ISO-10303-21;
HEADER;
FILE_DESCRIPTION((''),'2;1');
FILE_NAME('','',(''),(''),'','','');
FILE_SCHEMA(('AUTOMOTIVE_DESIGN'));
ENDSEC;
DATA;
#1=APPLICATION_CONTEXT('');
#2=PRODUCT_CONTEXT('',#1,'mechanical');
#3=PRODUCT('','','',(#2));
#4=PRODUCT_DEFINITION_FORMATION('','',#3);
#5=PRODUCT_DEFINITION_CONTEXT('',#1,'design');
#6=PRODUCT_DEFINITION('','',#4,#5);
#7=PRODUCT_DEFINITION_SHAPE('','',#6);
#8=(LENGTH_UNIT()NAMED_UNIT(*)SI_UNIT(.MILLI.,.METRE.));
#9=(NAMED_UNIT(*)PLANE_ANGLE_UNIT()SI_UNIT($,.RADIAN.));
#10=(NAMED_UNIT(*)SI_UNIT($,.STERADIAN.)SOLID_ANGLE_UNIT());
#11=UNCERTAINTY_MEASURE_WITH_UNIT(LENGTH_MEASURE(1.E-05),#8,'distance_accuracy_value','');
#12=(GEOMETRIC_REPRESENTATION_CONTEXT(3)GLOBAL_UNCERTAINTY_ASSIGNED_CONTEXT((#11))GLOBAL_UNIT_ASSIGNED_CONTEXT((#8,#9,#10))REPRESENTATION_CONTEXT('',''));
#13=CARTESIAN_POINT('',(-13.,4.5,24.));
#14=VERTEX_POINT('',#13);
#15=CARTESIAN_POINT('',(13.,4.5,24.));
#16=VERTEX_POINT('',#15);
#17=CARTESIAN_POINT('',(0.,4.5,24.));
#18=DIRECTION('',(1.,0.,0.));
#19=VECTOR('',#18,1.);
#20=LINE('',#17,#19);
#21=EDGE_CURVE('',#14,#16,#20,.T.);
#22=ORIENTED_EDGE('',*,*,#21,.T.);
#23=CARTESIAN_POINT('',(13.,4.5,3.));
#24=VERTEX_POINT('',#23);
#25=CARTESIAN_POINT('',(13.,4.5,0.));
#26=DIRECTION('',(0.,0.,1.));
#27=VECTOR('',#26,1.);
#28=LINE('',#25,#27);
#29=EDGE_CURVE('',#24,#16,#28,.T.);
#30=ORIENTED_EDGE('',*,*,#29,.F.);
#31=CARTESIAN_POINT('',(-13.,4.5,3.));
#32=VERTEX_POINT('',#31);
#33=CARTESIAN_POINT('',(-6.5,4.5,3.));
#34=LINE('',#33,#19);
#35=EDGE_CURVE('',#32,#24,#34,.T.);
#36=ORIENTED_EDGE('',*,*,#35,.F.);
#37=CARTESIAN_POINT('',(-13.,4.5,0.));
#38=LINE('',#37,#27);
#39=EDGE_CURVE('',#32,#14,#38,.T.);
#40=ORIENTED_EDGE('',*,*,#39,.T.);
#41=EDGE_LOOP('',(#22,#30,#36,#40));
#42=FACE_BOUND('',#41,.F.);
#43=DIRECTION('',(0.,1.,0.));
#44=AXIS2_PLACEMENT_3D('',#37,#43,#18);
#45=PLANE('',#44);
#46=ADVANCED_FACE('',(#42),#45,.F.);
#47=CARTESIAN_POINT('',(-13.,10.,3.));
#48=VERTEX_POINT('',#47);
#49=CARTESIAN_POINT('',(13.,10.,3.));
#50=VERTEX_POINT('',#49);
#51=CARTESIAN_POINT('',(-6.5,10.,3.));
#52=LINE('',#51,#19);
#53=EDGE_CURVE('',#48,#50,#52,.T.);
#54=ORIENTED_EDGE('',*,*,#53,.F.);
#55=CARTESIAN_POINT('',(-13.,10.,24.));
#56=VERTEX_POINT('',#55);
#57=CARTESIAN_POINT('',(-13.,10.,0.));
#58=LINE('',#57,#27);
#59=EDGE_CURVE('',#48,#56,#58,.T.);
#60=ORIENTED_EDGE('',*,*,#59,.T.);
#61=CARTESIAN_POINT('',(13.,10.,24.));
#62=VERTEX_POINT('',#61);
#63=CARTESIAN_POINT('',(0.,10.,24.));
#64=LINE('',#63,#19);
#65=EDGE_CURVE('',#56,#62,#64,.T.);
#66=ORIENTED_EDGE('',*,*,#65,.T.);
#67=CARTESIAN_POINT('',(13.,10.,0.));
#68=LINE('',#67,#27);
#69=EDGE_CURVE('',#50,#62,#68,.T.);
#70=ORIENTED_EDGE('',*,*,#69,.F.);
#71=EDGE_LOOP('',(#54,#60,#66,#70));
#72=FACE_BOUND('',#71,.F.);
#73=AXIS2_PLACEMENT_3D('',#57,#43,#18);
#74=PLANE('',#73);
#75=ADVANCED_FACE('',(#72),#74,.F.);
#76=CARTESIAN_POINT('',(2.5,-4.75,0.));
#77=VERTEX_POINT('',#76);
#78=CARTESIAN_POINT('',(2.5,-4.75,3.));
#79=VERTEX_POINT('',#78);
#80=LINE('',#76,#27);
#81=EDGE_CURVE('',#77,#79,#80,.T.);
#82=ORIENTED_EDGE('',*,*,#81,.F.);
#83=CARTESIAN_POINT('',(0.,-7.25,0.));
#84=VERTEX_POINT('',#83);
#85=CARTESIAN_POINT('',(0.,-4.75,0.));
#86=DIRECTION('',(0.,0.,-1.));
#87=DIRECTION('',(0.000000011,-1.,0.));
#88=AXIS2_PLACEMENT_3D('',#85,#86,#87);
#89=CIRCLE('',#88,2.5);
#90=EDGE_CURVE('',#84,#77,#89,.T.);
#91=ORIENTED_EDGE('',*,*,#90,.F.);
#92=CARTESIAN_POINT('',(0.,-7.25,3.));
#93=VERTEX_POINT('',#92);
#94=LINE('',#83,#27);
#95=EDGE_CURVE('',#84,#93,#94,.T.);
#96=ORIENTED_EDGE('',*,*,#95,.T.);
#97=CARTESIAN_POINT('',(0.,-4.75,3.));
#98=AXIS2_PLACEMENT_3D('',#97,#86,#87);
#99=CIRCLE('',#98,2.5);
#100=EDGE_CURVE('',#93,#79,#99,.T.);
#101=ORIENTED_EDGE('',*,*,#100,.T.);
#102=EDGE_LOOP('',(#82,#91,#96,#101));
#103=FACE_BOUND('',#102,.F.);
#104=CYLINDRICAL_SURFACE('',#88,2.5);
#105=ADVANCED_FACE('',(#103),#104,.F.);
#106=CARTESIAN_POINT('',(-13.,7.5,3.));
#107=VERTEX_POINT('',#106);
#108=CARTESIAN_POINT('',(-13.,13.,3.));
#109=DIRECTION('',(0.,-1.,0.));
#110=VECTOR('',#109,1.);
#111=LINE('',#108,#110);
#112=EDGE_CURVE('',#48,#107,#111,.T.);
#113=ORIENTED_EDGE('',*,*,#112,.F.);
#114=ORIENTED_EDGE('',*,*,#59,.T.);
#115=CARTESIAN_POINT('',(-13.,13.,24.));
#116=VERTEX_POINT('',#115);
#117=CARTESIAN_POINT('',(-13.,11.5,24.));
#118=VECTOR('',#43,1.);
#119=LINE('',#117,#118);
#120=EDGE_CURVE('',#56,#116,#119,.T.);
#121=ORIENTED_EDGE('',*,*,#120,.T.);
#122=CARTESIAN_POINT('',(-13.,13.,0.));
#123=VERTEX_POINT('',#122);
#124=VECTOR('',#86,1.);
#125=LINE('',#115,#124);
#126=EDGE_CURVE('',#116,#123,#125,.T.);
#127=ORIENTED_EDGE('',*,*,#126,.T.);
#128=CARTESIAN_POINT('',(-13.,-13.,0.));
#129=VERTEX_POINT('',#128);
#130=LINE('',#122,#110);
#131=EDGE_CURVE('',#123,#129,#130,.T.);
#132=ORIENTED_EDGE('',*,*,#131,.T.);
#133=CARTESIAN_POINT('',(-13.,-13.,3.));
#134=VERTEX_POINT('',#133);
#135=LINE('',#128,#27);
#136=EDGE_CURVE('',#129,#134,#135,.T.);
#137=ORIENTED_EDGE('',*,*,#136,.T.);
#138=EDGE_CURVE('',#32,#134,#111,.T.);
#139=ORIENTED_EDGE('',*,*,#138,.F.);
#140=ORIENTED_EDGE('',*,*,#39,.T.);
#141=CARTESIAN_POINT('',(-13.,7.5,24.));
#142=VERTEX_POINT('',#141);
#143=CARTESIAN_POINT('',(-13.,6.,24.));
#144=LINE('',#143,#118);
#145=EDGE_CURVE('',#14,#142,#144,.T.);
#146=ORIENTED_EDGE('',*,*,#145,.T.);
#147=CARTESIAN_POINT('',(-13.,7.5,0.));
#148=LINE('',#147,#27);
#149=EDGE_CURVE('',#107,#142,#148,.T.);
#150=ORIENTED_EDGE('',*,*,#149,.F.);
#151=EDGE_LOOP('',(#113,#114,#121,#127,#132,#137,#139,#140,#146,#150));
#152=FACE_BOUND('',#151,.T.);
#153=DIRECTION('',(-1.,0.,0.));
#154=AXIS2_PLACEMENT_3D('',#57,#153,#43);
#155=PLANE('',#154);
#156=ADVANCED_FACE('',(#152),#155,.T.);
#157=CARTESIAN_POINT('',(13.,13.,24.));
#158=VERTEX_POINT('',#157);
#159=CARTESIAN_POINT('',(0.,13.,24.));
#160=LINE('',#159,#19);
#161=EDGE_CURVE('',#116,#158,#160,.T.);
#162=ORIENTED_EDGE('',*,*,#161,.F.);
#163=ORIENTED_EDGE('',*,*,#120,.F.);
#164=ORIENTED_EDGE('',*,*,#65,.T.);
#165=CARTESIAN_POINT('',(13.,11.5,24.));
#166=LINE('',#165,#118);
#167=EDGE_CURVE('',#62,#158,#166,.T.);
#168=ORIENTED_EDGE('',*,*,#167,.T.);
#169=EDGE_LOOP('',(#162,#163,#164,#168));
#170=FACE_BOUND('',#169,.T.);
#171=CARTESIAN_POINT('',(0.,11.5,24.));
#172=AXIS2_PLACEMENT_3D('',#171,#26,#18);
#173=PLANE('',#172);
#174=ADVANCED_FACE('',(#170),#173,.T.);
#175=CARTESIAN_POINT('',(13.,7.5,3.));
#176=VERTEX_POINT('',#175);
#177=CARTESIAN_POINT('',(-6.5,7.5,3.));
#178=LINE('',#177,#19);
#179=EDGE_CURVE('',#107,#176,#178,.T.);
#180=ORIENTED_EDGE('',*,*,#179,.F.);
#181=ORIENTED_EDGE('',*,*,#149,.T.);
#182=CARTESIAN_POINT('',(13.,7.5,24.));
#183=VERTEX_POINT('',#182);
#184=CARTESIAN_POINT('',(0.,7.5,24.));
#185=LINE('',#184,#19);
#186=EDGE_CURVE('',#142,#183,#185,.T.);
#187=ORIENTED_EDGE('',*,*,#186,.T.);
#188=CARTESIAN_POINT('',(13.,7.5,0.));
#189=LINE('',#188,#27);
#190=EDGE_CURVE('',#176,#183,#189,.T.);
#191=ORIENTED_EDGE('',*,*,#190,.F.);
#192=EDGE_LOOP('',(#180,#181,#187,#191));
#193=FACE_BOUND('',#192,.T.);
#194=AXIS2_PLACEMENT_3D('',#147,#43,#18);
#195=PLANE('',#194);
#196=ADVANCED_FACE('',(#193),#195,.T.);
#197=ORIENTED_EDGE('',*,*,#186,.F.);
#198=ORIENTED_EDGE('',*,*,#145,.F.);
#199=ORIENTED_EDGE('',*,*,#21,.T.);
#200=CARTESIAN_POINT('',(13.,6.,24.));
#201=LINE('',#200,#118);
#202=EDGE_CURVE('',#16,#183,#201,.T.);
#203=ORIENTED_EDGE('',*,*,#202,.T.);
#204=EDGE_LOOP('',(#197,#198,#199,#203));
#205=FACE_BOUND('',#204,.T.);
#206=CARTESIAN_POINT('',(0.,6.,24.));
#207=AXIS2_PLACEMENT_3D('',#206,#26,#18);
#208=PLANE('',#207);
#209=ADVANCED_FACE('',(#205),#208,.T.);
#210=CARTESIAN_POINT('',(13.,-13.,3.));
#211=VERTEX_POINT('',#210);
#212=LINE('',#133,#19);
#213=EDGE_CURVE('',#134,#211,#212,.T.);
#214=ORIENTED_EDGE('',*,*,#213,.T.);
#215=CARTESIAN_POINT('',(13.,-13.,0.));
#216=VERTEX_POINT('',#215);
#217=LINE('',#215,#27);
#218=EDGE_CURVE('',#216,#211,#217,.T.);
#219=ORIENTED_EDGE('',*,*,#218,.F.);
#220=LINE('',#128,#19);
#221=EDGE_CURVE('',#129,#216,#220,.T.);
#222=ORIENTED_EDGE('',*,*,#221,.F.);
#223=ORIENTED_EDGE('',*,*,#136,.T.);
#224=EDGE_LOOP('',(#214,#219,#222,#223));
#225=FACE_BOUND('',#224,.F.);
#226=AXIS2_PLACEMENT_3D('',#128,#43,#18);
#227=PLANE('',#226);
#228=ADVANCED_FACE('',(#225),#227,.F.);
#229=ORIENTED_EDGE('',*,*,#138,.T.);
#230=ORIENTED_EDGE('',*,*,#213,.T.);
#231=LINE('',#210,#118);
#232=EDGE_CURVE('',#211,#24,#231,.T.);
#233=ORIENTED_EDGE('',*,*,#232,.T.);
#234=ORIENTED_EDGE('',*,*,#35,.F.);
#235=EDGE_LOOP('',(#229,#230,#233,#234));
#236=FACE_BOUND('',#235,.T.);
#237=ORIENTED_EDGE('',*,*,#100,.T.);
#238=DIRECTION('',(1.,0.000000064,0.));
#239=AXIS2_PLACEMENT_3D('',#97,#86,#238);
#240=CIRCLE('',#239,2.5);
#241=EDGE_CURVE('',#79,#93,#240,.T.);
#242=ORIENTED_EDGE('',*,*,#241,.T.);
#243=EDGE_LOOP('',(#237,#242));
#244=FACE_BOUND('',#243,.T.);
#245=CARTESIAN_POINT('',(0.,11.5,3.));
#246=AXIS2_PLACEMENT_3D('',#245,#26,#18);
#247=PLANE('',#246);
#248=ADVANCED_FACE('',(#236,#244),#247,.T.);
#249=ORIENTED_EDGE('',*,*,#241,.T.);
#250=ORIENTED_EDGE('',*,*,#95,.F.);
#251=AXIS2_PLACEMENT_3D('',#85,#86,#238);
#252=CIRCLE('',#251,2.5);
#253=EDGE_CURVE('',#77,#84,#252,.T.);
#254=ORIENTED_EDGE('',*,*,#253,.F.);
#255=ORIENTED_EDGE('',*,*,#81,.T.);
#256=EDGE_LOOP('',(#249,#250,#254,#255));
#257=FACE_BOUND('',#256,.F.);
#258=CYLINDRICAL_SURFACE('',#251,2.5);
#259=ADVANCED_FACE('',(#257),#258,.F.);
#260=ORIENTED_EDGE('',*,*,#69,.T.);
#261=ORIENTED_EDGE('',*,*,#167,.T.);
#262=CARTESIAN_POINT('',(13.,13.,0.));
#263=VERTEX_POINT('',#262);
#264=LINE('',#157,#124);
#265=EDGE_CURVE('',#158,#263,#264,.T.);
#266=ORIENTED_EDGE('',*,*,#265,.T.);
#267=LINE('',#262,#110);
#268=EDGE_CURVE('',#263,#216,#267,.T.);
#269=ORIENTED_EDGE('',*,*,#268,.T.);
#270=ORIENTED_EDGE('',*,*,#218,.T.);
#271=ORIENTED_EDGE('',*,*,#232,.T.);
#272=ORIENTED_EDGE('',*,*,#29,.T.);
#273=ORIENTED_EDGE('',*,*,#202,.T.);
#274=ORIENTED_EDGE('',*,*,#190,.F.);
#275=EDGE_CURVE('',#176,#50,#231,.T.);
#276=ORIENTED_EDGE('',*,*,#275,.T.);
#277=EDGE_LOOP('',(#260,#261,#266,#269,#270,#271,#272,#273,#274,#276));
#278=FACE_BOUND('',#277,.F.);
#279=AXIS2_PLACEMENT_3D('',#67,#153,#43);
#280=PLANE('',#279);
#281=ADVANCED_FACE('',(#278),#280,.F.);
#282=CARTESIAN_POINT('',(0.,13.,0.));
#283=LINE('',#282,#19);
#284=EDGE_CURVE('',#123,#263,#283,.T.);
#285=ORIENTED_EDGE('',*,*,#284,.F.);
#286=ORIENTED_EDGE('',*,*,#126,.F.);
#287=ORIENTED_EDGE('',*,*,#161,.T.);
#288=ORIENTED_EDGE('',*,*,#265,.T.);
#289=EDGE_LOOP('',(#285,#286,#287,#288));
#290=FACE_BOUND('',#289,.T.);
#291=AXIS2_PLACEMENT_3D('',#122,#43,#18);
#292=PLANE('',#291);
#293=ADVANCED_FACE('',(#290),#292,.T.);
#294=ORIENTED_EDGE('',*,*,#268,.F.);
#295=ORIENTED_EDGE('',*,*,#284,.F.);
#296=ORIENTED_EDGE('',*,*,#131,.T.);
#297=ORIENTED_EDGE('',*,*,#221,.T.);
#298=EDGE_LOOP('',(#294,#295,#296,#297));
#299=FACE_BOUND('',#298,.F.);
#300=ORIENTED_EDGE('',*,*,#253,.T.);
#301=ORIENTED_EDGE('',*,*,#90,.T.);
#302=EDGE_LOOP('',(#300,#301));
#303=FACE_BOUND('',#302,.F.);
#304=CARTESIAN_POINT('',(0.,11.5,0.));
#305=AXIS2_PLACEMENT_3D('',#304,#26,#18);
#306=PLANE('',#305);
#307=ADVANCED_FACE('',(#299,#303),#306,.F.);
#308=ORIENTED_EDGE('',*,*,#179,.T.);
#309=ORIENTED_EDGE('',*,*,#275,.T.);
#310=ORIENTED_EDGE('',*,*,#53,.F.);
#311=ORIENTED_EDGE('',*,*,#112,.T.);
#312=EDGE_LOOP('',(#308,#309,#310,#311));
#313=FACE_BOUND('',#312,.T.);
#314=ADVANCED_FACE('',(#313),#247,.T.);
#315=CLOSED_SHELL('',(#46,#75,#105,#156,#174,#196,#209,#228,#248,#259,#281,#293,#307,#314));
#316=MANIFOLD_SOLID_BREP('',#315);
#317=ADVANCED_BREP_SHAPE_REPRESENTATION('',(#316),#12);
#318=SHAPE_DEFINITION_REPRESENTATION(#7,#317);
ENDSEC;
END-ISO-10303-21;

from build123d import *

# Parameters (mm, degrees)
F0_W     = 26
F0_H     = 3
F1_DEPTH = 24
F0_H_2   = 2.5
F2_DEPTH = 3


with BuildPart() as f1:
    # F0 (on Top) → F1 (new body)
    with BuildSketch(Plane.XY):
        with Locations((0, 11.5)):
            Rectangle(F0_W, F0_H)
        with Locations((0, 6)):
            Rectangle(F0_W, F0_H)
    extrude(amount=F1_DEPTH)

    # F0 (on Top) → F2 (join)
    with BuildSketch(Plane.XY):
        with Locations((0, 11.5)):
            Rectangle(F0_W, F0_H)
        with Locations((0, 8.75)):
            Rectangle(F0_W, F0_H_2)
        with Locations((0, 6)):
            Rectangle(F0_W, F0_H)
        Polygon((0, -13), (13, -13), (13, 4.5), (-13, 4.5), (-13, -13), align=None)
        with BuildLine():
            ThreePointArc((2.5, -4.75), (1.767767, -6.517767), (0, -7.25))
            ThreePointArc((0, -7.25), (-1.767767, -2.982233), (2.5, -4.75))
        make_face(mode=Mode.SUBTRACT)
    extrude(amount=F2_DEPTH)


solid = f1.part
